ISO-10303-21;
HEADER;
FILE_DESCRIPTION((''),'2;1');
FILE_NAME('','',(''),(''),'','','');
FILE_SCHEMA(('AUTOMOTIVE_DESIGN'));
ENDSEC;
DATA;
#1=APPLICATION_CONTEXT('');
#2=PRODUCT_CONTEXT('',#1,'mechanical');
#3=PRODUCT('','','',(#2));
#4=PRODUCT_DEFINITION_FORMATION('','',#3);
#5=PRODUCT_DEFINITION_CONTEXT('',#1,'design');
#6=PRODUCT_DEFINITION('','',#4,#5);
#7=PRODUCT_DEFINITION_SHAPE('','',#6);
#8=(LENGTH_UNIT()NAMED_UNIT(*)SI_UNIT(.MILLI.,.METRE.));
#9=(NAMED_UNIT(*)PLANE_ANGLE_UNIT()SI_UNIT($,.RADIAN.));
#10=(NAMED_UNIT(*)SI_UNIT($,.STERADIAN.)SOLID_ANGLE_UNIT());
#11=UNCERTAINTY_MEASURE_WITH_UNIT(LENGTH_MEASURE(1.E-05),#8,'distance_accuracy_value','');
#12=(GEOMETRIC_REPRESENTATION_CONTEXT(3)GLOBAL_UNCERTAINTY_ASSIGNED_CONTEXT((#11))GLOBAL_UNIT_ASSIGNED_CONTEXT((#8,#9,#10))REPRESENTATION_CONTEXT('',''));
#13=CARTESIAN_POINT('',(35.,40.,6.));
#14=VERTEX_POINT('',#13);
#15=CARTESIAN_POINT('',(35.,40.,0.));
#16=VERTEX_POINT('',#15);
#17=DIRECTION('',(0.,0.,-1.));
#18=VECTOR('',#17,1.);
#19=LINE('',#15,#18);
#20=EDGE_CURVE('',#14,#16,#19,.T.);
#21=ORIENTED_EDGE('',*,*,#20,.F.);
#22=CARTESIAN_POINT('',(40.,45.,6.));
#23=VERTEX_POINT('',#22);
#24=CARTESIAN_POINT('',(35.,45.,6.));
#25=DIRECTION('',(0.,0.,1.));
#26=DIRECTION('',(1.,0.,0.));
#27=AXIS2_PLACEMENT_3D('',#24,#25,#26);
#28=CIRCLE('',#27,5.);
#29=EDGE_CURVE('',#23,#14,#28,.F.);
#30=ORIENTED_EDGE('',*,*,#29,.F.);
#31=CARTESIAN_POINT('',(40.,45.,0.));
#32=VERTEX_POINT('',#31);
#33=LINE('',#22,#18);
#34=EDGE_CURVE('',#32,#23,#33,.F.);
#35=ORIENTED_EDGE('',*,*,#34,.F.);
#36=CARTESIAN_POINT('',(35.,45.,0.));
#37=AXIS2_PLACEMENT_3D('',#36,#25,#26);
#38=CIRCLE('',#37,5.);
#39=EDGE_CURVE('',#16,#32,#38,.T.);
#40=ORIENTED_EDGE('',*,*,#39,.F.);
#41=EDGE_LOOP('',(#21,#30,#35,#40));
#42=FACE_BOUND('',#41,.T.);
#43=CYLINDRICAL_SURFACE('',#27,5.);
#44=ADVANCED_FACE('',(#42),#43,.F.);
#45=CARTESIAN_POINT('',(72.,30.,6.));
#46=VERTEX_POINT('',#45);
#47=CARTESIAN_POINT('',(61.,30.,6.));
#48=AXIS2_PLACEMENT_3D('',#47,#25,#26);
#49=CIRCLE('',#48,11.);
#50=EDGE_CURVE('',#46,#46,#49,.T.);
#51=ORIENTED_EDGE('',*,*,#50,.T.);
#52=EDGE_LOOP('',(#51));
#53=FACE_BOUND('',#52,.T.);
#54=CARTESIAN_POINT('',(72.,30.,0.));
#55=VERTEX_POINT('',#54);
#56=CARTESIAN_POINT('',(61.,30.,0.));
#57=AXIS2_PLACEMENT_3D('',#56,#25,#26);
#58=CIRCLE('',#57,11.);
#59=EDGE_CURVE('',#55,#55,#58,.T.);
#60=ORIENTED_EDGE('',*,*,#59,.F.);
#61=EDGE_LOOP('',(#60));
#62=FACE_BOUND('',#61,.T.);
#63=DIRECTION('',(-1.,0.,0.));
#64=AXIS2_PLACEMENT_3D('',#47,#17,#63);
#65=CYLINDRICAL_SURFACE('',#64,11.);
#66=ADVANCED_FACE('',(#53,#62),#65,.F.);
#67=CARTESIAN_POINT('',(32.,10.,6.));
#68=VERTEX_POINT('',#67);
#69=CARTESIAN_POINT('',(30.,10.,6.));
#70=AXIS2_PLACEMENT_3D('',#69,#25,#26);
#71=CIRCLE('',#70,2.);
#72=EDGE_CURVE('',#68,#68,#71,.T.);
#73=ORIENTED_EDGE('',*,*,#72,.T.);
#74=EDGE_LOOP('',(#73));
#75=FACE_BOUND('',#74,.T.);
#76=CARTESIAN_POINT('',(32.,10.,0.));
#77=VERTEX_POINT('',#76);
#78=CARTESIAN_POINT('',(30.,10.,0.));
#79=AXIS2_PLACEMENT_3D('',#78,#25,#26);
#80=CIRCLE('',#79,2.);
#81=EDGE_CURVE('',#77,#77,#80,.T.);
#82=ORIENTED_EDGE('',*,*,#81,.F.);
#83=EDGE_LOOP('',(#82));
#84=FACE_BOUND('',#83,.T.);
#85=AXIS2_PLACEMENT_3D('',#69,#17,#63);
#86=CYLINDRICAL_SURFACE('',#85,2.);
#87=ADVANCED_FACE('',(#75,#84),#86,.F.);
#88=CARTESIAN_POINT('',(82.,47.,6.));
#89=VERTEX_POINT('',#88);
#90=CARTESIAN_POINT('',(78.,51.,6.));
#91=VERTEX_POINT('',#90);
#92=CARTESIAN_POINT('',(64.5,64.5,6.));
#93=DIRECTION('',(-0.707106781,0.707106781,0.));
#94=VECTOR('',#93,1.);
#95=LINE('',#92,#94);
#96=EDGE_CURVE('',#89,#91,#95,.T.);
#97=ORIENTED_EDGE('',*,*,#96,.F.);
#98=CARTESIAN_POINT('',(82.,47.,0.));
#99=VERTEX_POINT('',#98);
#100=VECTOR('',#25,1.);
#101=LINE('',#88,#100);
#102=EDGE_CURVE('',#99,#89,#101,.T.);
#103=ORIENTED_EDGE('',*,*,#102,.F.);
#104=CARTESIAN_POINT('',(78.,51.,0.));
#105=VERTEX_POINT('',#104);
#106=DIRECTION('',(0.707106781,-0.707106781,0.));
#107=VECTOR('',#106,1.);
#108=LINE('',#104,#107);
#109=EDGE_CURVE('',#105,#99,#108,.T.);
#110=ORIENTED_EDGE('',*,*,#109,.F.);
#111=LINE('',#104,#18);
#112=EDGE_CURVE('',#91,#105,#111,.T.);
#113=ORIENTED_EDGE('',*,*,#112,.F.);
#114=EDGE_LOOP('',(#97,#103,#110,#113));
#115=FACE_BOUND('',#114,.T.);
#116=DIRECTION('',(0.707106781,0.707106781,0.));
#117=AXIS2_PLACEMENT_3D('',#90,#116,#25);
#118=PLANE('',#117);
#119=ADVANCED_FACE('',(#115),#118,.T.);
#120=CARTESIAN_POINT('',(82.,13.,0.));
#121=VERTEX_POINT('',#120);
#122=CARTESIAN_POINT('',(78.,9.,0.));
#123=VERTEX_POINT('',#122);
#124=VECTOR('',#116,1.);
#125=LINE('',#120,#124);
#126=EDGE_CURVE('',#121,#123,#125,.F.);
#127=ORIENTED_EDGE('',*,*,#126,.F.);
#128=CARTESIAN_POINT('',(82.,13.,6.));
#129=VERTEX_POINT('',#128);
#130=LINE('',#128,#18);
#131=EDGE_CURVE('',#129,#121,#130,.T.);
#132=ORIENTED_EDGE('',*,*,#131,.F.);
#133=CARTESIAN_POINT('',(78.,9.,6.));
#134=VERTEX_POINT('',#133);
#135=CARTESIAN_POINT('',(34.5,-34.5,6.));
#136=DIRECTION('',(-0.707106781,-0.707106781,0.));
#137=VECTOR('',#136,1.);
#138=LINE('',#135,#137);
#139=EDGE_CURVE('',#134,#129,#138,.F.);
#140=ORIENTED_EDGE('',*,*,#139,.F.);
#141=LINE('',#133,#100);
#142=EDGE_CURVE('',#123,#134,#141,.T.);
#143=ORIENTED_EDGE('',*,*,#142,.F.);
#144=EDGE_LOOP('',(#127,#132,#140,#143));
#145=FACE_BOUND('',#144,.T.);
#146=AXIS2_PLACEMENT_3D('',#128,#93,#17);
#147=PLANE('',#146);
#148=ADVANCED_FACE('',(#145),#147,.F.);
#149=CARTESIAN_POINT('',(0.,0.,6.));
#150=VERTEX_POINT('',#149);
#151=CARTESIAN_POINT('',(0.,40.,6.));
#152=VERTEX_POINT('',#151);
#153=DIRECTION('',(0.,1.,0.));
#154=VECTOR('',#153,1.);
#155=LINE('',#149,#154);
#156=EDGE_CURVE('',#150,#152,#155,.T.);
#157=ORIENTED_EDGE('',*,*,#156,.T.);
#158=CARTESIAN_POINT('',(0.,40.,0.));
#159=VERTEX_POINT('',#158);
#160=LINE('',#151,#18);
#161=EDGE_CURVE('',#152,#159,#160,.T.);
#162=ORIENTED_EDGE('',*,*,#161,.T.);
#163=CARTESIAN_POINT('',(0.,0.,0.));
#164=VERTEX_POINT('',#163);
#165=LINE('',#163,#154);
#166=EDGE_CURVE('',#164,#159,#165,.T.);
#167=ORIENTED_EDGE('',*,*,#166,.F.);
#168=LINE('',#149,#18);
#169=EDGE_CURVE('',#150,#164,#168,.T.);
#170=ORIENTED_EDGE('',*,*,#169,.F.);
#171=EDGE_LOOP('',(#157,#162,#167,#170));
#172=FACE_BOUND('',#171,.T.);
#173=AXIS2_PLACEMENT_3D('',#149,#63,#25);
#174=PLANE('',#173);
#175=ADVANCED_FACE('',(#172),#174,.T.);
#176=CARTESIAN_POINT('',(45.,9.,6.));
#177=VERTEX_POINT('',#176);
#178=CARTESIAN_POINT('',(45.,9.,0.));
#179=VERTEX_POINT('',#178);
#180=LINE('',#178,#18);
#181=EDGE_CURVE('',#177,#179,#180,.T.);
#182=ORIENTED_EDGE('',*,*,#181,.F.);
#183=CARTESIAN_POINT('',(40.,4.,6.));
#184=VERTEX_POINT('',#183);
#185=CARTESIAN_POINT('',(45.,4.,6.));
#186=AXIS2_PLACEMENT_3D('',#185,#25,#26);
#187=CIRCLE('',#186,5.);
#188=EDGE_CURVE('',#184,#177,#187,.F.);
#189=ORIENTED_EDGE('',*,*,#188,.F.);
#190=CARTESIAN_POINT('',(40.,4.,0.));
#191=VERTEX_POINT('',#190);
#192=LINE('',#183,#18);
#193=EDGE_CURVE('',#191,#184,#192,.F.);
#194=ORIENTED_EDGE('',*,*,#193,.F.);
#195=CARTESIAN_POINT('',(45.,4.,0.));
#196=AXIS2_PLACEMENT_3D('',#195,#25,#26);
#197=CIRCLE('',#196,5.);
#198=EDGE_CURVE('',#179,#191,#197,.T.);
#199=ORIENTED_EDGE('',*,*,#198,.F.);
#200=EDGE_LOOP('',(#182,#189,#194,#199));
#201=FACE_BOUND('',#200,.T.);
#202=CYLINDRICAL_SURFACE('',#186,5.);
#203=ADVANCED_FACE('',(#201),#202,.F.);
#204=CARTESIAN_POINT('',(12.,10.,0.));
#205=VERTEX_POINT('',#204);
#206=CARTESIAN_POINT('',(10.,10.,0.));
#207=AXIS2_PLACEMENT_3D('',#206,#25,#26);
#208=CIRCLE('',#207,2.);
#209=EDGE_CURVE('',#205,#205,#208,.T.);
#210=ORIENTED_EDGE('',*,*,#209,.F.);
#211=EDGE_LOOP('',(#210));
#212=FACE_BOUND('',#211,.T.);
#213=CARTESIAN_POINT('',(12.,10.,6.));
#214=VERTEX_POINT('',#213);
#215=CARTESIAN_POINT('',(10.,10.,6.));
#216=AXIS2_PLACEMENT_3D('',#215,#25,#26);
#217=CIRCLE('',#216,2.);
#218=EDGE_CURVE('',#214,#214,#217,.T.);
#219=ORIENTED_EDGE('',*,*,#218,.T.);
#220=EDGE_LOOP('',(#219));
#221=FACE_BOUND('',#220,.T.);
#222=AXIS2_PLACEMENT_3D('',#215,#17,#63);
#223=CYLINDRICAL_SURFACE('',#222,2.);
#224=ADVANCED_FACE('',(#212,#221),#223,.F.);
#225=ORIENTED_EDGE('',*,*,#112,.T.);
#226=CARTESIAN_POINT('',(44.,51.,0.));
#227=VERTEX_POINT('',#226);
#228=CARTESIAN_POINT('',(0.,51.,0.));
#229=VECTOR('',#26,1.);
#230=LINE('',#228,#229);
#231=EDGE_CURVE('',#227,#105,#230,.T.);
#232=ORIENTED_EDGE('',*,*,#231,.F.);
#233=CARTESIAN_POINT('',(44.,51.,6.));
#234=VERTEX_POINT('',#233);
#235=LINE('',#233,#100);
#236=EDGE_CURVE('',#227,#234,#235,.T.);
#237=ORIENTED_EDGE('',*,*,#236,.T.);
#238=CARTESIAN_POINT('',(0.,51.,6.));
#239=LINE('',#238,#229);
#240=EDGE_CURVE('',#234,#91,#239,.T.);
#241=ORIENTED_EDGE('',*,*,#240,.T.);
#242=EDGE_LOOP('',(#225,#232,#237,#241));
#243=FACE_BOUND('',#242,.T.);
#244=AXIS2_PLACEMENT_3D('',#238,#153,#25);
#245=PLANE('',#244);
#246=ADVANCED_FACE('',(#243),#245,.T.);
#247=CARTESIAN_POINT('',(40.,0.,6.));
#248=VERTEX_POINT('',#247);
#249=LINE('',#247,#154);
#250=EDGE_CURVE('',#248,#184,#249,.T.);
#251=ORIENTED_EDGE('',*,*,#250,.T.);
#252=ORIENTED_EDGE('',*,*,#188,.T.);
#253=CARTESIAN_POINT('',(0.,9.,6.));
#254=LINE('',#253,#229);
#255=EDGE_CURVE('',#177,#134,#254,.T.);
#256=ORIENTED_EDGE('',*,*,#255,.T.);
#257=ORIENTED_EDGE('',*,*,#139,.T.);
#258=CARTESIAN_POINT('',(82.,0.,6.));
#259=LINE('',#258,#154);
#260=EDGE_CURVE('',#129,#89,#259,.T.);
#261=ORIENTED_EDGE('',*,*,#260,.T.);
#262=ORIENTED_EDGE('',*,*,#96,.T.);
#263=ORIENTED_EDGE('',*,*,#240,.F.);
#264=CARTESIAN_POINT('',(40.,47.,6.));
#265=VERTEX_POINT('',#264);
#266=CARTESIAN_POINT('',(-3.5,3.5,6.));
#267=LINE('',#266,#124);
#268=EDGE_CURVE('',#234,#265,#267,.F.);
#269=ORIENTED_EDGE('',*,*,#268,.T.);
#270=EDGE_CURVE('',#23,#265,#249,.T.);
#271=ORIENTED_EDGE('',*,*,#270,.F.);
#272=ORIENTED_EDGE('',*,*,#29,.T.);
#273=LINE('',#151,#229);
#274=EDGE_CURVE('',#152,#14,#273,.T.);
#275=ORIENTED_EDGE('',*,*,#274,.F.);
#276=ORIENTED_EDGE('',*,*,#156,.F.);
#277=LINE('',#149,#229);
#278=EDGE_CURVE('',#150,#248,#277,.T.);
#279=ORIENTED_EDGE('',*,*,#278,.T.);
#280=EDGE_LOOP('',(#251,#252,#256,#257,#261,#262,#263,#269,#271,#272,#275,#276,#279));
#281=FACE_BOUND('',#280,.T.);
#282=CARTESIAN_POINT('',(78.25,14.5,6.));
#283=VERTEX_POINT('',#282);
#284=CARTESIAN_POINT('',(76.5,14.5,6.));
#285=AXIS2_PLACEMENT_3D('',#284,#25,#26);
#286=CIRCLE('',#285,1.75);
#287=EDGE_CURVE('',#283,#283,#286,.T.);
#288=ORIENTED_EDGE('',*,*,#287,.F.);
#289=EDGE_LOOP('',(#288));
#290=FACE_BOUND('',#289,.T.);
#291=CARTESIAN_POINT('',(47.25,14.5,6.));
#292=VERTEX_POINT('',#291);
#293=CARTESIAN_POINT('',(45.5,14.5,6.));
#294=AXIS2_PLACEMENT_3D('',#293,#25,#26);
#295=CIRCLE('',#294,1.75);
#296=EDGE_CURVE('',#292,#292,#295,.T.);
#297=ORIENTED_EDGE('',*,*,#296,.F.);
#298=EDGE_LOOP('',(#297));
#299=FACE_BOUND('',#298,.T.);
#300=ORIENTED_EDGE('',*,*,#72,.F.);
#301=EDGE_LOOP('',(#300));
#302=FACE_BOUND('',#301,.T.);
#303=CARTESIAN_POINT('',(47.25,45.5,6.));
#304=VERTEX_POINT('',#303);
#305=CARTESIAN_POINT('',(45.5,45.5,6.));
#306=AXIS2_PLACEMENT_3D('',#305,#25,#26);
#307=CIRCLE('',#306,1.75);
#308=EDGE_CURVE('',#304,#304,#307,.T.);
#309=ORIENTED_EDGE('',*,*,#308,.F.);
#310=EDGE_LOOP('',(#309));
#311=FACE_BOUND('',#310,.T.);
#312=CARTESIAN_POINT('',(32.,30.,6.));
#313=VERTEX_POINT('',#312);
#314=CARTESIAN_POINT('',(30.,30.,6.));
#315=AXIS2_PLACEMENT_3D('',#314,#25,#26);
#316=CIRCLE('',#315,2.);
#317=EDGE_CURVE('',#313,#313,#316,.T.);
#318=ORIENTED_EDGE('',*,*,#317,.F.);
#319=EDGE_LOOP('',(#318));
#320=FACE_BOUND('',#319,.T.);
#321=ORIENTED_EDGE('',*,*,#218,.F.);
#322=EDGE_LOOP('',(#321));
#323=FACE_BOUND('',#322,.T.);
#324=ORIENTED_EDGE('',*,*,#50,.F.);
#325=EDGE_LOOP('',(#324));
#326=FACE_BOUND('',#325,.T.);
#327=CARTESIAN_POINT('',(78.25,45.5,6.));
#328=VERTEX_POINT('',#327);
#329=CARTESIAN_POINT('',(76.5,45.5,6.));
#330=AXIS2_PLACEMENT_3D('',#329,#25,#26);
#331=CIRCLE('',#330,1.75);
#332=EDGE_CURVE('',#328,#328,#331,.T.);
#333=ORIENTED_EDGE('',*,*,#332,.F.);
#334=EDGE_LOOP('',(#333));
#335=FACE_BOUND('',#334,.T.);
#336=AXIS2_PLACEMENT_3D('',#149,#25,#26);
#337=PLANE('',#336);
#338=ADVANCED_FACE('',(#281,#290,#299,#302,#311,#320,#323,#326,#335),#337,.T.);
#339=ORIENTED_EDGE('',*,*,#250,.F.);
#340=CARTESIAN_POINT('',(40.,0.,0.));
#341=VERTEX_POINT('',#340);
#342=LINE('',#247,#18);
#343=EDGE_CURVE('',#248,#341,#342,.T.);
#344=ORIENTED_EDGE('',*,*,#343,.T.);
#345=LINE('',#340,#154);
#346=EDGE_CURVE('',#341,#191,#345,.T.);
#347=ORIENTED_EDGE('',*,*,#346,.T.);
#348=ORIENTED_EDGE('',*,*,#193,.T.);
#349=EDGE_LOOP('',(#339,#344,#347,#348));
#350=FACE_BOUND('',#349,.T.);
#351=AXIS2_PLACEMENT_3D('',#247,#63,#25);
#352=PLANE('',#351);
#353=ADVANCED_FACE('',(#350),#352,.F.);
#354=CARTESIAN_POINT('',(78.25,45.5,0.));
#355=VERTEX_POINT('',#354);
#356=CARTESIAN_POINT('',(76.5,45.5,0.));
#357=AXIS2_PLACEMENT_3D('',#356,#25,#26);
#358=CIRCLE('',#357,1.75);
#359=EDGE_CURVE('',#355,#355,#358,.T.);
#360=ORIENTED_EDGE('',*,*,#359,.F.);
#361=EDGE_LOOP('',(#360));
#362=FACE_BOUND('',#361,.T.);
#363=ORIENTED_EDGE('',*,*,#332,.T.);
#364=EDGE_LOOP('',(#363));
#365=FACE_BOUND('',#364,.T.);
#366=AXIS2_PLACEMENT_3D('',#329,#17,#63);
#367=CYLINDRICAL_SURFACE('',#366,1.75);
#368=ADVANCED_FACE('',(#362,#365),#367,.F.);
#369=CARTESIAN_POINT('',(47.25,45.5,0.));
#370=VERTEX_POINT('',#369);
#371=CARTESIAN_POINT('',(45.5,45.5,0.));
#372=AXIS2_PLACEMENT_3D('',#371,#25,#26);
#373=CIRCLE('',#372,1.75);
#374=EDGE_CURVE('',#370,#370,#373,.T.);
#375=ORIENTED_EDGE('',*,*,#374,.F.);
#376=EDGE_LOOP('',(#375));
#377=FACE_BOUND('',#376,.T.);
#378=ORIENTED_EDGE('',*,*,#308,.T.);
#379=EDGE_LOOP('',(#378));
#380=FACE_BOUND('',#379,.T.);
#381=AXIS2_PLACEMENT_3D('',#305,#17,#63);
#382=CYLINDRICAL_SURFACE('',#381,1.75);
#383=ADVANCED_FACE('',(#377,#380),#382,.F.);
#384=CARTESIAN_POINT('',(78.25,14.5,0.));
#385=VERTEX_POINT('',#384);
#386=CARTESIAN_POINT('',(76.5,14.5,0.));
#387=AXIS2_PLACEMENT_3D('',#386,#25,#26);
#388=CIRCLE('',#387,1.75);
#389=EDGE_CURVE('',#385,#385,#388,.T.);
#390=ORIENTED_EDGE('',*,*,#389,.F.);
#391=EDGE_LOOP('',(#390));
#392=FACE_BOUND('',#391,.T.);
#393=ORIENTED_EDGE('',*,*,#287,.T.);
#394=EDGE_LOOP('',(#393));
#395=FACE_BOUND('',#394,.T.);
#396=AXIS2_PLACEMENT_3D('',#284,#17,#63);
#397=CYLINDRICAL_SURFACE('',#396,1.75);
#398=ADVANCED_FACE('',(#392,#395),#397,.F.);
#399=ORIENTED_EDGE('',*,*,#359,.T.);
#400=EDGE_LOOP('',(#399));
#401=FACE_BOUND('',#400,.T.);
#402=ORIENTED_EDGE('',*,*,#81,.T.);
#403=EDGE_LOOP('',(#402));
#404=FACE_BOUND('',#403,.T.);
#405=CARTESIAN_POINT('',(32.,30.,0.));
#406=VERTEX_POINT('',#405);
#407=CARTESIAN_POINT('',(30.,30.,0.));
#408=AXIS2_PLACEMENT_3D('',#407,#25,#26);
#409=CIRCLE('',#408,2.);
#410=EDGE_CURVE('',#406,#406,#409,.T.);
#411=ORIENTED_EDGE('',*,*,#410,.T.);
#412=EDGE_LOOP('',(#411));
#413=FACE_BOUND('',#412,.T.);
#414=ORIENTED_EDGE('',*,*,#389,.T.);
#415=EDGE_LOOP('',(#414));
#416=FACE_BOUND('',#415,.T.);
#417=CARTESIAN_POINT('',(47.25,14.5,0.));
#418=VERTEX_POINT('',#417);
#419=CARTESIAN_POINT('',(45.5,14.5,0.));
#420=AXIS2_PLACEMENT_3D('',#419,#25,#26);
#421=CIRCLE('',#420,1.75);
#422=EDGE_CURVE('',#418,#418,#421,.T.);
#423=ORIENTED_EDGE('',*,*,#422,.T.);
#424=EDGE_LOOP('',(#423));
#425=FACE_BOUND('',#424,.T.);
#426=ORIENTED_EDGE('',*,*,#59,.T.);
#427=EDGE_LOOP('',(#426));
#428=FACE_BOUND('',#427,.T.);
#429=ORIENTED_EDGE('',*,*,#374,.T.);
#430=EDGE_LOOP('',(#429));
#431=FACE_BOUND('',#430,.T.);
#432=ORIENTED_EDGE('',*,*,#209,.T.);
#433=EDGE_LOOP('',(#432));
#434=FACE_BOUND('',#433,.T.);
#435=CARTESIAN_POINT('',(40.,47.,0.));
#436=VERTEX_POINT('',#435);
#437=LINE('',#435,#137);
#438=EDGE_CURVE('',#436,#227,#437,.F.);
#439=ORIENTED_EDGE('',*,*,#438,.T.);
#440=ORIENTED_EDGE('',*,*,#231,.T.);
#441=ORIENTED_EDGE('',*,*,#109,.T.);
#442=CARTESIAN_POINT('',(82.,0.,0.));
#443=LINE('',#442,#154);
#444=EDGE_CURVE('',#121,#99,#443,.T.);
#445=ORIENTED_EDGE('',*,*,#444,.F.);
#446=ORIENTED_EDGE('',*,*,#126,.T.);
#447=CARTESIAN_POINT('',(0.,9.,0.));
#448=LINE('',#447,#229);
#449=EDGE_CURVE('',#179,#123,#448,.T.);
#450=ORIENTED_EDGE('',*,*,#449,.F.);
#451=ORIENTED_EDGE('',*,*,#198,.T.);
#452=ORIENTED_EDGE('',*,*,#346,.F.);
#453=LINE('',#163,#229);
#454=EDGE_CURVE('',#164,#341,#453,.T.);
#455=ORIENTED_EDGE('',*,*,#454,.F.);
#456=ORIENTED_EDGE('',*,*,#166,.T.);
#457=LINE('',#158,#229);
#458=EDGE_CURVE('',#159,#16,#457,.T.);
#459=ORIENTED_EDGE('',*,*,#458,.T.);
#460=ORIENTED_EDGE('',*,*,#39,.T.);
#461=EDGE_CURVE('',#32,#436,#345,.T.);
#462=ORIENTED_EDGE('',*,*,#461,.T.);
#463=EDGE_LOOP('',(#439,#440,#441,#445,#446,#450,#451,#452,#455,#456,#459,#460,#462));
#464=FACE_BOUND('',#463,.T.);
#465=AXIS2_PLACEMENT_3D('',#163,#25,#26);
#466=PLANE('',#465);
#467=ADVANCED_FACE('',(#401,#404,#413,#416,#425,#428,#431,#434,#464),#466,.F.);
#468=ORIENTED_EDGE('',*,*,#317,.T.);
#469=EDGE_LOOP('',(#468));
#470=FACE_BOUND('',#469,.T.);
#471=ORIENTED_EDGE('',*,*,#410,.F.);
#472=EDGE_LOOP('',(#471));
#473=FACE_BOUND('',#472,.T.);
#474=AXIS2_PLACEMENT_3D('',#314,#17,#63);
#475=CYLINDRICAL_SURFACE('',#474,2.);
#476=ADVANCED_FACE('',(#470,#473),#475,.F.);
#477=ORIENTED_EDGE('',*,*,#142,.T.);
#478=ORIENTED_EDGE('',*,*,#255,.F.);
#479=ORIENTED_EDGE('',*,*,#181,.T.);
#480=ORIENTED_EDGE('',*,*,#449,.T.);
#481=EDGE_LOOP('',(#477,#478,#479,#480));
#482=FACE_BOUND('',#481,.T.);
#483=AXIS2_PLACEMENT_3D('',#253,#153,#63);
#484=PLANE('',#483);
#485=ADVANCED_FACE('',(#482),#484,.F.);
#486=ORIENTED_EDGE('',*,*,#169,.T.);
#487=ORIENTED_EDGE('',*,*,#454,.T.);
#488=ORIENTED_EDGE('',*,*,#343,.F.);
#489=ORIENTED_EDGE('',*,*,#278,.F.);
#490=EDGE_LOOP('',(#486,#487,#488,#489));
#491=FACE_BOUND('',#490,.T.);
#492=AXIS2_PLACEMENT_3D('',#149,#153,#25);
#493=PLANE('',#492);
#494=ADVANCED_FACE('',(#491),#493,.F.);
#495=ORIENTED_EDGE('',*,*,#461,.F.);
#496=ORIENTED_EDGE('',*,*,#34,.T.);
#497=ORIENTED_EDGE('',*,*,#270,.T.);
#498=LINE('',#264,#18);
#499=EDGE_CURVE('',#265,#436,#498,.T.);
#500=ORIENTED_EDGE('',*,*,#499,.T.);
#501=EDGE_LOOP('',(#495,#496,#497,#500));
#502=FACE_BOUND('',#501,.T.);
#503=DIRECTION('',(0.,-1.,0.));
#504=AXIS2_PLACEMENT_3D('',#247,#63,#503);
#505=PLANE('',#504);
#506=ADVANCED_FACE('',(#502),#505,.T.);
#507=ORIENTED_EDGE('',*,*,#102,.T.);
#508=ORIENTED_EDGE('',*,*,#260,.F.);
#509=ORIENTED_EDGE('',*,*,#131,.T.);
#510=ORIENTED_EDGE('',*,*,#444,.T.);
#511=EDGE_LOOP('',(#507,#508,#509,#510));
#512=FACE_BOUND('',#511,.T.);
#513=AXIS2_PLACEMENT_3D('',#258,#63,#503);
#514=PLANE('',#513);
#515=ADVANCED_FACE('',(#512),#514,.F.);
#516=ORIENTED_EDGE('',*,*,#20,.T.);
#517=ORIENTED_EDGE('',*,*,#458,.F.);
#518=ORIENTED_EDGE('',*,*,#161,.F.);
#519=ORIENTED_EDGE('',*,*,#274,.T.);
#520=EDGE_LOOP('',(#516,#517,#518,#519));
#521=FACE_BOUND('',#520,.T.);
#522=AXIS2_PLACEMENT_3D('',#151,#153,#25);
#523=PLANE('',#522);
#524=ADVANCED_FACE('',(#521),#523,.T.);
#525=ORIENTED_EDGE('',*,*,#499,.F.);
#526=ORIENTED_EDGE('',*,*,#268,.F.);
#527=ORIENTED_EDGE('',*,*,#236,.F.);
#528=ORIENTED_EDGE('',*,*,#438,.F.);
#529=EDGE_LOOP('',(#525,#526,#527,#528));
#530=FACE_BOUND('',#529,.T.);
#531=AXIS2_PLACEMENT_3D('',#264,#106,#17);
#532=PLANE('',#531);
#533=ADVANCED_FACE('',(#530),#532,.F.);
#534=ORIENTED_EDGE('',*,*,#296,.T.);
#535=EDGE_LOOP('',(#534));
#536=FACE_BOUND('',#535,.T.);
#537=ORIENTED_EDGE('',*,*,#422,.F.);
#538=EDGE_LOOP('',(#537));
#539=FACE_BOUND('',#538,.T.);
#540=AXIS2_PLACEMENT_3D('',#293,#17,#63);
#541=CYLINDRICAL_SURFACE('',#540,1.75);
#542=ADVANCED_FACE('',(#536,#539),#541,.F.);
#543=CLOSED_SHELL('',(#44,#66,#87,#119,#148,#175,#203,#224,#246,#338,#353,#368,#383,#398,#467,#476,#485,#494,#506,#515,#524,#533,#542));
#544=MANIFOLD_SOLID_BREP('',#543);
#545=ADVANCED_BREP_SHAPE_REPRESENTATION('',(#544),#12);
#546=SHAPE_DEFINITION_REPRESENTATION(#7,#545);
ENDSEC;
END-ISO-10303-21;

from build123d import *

# Parameters (mm, degrees)
ESBO_O1_W                = 40
ESBO_O1_H                = 40
ESBO_O1_R                = 2
ESBO_O1_R_2              = 1.75
ESBO_O1_R_3              = 11
RESSALTO_EXTRUS_O1_DEPTH = 6
CHANFRO1_SIZE            = 4
FILETE1_R                = 5


with BuildPart() as part:
    # Esboço1 → Ressalto-extrusão1 (new body)
    # profile 1 of 2: a face of its own
    with BuildSketch(Plane.XY):
        with Locations((20, 20)):
            Rectangle(ESBO_O1_W, ESBO_O1_H)
        with Locations((30, 30)):
            Circle(ESBO_O1_R, mode=Mode.SUBTRACT)
        with Locations((10, 10)):
            Circle(ESBO_O1_R, mode=Mode.SUBTRACT)
        with Locations((30, 10)):
            Circle(ESBO_O1_R, mode=Mode.SUBTRACT)
    # profile 2 of 2: a face of its own
    with BuildSketch(Plane.XY):
        Polygon((40, 40), (40, 9), (82, 9), (82, 51), (40, 51), align=None)
        with Locations((45.5, 14.5)):
            Circle(ESBO_O1_R_2, mode=Mode.SUBTRACT)
        with Locations((76.5, 14.5)):
            Circle(ESBO_O1_R_2, mode=Mode.SUBTRACT)
        with Locations((61, 30)):
            Circle(ESBO_O1_R_3, mode=Mode.SUBTRACT)
        with Locations((45.5, 45.5)):
            Circle(ESBO_O1_R_2, mode=Mode.SUBTRACT)
        with Locations((76.5, 45.5)):
            Circle(ESBO_O1_R_2, mode=Mode.SUBTRACT)
    extrude(amount=RESSALTO_EXTRUS_O1_DEPTH)

    # Chanfro1
    chanfro1_edges = [part.edges().sort_by_distance(p)[0] for p in [
        (40, 51, 3),
        (82, 51, 3),
        (82, 9, 3),
    ]]
    chamfer(chanfro1_edges, length=CHANFRO1_SIZE)

    # Filete1
    filete1_edges = [part.edges().sort_by_distance(p)[0] for p in [
        (40, 40, 3),
        (40, 9, 3),
    ]]
    fillet(filete1_edges, radius=FILETE1_R)


solid = part.part
